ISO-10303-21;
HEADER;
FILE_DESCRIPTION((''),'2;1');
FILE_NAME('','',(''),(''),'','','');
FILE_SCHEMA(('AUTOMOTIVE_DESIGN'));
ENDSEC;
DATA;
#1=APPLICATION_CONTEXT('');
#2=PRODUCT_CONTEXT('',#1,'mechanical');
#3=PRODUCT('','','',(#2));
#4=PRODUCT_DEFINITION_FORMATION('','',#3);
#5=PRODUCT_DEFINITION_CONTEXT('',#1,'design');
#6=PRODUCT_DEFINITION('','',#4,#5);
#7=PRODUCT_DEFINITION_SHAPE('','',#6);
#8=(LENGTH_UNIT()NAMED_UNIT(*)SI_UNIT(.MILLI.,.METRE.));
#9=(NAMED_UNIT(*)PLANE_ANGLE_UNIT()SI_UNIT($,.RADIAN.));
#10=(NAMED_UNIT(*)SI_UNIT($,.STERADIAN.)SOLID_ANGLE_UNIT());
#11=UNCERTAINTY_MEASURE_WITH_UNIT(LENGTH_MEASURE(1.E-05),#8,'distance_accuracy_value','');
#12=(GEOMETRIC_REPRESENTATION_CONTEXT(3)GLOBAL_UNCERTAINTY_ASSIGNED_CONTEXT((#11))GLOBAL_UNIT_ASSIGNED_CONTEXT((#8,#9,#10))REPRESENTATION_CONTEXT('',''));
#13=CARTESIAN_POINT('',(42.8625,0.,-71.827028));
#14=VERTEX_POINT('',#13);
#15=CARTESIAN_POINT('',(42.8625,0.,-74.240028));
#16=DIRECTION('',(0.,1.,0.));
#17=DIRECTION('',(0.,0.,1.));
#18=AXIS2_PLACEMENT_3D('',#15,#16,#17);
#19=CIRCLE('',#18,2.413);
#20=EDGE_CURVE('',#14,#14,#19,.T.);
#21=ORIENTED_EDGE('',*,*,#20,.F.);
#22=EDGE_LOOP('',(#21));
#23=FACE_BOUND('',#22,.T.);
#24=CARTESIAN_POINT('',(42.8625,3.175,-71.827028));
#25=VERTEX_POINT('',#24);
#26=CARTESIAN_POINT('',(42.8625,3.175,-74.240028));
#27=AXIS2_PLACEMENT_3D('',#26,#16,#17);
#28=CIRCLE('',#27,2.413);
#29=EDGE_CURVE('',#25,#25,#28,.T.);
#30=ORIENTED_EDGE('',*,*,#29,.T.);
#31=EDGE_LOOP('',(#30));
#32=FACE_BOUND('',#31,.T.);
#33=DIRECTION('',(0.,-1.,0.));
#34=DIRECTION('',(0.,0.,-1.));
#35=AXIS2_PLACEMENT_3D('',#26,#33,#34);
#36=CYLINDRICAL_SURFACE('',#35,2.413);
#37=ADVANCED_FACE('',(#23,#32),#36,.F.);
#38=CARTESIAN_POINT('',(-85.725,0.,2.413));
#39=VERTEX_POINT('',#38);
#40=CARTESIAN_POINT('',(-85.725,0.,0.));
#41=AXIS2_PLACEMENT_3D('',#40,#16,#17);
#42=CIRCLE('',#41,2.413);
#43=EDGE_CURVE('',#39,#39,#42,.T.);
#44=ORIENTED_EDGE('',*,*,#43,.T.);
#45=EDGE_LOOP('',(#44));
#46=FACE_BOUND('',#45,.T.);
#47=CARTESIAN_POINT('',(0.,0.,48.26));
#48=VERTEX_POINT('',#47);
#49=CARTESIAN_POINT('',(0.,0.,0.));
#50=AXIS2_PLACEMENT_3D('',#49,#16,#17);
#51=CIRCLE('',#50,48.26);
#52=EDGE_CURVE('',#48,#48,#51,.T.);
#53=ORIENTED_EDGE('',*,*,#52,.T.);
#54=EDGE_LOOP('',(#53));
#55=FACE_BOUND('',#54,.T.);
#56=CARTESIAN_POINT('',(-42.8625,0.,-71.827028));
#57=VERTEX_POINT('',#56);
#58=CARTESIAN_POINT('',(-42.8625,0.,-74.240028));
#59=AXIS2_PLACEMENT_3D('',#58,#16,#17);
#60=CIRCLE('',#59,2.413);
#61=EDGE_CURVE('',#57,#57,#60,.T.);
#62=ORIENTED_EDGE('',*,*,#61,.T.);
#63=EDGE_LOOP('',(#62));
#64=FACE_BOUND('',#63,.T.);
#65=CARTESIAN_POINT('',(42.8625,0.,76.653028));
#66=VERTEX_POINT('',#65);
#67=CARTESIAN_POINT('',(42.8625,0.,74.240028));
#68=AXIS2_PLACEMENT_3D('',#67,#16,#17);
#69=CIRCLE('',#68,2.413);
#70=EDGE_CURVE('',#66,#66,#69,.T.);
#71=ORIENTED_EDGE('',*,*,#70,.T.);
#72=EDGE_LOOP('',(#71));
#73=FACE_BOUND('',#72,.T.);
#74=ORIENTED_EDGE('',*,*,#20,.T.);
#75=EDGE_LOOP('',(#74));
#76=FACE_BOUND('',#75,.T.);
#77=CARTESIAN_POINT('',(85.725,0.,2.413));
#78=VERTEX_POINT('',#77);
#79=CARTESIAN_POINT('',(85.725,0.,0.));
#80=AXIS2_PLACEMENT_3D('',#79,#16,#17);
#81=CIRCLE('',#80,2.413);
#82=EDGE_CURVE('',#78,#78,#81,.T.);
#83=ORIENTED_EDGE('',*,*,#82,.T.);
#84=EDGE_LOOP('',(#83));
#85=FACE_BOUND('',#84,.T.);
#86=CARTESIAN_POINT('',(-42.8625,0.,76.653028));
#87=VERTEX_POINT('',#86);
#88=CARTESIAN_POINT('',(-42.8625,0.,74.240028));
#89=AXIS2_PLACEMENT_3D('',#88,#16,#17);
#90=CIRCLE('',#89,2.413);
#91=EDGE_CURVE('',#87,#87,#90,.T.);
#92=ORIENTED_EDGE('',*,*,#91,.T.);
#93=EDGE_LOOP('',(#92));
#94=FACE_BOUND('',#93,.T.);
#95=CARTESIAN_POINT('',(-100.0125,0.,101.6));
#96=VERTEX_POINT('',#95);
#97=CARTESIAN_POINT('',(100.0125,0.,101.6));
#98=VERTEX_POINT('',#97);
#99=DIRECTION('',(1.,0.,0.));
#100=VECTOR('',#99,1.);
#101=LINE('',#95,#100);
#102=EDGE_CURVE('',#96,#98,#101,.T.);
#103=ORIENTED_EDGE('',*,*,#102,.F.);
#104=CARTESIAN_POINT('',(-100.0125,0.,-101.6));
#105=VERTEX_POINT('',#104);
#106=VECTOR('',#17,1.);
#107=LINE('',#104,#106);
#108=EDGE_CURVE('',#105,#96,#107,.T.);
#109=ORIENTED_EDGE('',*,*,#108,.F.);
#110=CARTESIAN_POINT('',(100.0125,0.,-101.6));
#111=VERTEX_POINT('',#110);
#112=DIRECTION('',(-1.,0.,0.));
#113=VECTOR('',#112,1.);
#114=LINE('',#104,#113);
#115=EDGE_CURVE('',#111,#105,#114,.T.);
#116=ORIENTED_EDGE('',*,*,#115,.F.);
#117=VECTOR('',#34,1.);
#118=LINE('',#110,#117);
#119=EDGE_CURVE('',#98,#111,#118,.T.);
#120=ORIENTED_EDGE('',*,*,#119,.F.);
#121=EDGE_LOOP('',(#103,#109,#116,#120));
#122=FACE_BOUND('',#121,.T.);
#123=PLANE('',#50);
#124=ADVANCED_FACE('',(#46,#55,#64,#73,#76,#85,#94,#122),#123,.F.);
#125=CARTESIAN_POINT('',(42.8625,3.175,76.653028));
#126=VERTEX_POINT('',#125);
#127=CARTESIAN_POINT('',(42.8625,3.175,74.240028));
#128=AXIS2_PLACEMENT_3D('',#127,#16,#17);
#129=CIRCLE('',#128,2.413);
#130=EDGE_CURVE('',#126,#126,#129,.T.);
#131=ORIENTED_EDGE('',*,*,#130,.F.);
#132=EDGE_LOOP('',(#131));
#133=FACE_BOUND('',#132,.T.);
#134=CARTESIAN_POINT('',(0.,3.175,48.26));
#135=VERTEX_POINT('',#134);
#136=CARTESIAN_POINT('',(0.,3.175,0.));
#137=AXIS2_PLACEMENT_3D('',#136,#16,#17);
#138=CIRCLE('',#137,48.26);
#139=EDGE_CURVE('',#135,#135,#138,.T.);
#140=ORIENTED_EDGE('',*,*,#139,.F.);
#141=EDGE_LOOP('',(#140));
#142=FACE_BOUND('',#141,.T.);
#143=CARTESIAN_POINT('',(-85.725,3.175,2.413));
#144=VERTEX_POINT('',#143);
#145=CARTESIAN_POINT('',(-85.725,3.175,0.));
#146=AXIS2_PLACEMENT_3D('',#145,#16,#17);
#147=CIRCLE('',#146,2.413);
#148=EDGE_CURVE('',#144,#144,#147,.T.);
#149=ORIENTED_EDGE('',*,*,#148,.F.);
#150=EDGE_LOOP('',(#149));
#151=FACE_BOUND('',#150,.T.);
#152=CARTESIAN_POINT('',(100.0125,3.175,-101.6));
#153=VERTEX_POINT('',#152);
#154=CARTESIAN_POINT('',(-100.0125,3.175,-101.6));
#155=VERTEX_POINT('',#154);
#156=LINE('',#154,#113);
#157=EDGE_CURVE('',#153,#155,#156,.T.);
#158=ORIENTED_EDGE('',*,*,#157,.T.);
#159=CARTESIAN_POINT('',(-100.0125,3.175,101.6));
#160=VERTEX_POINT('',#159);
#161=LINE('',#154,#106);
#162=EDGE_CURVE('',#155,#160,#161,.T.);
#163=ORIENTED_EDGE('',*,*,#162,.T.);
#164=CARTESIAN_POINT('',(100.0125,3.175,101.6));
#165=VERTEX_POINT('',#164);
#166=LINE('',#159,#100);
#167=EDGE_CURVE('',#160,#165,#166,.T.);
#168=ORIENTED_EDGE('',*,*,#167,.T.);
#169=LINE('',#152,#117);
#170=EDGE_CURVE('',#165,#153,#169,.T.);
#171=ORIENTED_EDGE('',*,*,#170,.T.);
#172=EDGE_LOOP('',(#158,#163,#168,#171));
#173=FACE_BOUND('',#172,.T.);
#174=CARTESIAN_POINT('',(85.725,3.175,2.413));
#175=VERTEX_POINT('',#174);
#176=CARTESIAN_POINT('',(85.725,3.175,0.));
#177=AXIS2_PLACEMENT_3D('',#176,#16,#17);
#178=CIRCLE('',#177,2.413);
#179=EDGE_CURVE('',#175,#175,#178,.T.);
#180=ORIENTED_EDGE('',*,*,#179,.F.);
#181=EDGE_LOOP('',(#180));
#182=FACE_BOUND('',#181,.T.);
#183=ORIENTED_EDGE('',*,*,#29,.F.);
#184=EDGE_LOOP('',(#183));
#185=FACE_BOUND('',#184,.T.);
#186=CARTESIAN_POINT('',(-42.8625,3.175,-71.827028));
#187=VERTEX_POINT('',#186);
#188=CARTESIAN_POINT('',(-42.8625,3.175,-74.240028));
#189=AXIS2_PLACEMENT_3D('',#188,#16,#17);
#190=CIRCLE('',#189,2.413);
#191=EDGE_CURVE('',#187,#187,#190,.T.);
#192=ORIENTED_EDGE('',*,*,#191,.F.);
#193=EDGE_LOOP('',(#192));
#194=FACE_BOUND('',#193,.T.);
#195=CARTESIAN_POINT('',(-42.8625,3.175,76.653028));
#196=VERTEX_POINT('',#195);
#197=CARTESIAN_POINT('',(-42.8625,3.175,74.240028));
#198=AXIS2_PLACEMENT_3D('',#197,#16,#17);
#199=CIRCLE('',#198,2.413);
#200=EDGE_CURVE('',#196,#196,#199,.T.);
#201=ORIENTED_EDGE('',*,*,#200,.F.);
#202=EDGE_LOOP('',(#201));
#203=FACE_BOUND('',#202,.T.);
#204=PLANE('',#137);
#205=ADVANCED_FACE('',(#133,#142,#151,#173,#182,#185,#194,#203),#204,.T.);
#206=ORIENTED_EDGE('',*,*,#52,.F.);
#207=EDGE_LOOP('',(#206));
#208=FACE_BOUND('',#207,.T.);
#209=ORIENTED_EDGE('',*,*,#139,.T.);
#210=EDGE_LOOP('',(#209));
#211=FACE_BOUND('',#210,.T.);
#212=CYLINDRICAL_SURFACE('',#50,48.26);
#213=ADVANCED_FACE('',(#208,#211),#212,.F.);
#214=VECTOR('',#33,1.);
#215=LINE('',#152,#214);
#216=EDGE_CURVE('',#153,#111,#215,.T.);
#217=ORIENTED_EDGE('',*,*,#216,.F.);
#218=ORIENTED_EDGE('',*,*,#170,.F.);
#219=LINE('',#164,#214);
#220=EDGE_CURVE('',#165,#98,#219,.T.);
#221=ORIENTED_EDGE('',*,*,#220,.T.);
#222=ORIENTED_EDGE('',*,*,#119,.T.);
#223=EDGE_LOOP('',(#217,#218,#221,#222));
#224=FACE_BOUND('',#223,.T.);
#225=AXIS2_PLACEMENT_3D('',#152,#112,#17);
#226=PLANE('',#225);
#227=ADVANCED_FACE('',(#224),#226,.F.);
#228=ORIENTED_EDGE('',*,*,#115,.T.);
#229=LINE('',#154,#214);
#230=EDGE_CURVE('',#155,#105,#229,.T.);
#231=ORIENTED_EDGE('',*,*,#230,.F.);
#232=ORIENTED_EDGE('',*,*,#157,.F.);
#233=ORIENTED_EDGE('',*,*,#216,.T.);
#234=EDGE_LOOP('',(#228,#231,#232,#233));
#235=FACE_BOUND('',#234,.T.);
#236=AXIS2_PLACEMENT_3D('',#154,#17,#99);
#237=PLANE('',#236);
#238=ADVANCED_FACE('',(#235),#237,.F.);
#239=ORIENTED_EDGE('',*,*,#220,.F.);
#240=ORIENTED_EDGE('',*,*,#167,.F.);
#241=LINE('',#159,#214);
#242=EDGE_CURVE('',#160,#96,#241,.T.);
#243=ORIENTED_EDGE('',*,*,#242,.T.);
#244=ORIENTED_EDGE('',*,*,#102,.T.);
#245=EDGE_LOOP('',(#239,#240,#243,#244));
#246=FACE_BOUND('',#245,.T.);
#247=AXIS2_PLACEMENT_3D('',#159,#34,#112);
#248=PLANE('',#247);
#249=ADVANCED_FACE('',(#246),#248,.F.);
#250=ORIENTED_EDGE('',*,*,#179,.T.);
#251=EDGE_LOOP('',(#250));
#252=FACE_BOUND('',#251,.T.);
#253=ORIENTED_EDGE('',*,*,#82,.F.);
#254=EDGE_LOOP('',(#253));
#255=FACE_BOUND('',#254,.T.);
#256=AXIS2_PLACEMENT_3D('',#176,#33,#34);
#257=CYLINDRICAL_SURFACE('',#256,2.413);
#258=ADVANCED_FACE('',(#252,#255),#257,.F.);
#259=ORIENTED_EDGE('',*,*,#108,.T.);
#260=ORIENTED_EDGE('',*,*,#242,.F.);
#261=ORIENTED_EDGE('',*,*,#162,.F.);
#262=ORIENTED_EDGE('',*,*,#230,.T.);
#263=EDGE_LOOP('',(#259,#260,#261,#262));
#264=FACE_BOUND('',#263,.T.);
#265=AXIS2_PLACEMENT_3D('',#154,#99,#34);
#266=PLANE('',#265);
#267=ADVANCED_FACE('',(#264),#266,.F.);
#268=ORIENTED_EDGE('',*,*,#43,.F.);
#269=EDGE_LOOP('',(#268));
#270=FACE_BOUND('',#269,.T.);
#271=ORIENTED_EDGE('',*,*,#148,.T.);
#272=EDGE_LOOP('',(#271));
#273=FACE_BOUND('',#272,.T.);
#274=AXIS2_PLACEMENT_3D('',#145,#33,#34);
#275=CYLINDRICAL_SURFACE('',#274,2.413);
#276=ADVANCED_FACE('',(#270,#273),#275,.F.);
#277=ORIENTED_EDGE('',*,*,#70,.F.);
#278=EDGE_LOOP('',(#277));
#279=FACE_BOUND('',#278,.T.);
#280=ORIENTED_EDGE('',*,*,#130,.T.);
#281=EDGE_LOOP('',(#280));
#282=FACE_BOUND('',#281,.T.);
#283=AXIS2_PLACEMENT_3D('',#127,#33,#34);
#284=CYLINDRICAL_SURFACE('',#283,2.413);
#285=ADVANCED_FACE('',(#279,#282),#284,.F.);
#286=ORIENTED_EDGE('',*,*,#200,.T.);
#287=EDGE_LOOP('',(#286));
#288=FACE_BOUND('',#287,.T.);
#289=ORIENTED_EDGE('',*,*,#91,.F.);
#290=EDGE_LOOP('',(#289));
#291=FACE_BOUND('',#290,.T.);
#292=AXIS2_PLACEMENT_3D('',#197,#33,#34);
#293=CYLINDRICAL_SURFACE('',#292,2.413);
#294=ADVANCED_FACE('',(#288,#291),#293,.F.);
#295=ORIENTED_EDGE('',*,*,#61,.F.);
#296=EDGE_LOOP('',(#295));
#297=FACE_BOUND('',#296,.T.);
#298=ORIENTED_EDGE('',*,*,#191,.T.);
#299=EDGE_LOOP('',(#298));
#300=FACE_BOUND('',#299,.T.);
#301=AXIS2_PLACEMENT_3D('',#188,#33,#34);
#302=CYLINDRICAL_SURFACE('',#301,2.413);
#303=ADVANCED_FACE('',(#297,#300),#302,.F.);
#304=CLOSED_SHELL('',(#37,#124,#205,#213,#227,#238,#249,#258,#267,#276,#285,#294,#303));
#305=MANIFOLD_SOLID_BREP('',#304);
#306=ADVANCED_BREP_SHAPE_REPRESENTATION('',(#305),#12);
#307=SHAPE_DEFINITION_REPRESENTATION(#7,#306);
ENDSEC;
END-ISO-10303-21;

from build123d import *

# Parameters (mm, degrees)
SKETCH1_W           = 200.025
SKETCH1_H           = 203.2
SKETCH1_R           = 2.413
BOSS_EXTRUDE1_DEPTH = 3.175
SKETCH3_R           = 48.26
CUT_EXTRUDE1_DEPTH  = 143.601335131


with BuildPart() as part:
    # Sketch1 → Boss-Extrude1 (new body)
    with BuildSketch(Plane(origin=(0, 0, 0), x_dir=(1, 0, 0), z_dir=(0, 1, 0))):
        Rectangle(SKETCH1_W, SKETCH1_H)
        with Locations(Location((42.8625, 74.240027739, 0), (0, 0, 270))):
            Circle(SKETCH1_R, mode=Mode.SUBTRACT)
        with Locations(Location((85.725, 0, 0), (0, 0, 270))):
            Circle(SKETCH1_R, mode=Mode.SUBTRACT)
        with Locations(Location((42.8625, -74.240027739, 0), (0, 0, 270))):
            Circle(SKETCH1_R, mode=Mode.SUBTRACT)
        with Locations(Location((-42.8625, -74.240027739, 0), (0, 0, 270))):
            Circle(SKETCH1_R, mode=Mode.SUBTRACT)
        with Locations(Location((-85.725, 0, 0), (0, 0, 270))):
            Circle(SKETCH1_R, mode=Mode.SUBTRACT)
        with Locations(Location((-42.8625, 74.240027739, 0), (0, 0, 270))):
            Circle(SKETCH1_R, mode=Mode.SUBTRACT)
    extrude(amount=BOSS_EXTRUDE1_DEPTH)

    # Sketch3 → Cut-Extrude1 (cut, through all)
    with BuildSketch(Plane(origin=(0, 3.175, 0), x_dir=(1, 0, 0), z_dir=(0, 1, 0))):
        with Locations(Location((0, 0, 0), (0, 0, 270))):
            Circle(SKETCH3_R)
    extrude(amount=-CUT_EXTRUDE1_DEPTH, mode=Mode.SUBTRACT)


solid = part.part
